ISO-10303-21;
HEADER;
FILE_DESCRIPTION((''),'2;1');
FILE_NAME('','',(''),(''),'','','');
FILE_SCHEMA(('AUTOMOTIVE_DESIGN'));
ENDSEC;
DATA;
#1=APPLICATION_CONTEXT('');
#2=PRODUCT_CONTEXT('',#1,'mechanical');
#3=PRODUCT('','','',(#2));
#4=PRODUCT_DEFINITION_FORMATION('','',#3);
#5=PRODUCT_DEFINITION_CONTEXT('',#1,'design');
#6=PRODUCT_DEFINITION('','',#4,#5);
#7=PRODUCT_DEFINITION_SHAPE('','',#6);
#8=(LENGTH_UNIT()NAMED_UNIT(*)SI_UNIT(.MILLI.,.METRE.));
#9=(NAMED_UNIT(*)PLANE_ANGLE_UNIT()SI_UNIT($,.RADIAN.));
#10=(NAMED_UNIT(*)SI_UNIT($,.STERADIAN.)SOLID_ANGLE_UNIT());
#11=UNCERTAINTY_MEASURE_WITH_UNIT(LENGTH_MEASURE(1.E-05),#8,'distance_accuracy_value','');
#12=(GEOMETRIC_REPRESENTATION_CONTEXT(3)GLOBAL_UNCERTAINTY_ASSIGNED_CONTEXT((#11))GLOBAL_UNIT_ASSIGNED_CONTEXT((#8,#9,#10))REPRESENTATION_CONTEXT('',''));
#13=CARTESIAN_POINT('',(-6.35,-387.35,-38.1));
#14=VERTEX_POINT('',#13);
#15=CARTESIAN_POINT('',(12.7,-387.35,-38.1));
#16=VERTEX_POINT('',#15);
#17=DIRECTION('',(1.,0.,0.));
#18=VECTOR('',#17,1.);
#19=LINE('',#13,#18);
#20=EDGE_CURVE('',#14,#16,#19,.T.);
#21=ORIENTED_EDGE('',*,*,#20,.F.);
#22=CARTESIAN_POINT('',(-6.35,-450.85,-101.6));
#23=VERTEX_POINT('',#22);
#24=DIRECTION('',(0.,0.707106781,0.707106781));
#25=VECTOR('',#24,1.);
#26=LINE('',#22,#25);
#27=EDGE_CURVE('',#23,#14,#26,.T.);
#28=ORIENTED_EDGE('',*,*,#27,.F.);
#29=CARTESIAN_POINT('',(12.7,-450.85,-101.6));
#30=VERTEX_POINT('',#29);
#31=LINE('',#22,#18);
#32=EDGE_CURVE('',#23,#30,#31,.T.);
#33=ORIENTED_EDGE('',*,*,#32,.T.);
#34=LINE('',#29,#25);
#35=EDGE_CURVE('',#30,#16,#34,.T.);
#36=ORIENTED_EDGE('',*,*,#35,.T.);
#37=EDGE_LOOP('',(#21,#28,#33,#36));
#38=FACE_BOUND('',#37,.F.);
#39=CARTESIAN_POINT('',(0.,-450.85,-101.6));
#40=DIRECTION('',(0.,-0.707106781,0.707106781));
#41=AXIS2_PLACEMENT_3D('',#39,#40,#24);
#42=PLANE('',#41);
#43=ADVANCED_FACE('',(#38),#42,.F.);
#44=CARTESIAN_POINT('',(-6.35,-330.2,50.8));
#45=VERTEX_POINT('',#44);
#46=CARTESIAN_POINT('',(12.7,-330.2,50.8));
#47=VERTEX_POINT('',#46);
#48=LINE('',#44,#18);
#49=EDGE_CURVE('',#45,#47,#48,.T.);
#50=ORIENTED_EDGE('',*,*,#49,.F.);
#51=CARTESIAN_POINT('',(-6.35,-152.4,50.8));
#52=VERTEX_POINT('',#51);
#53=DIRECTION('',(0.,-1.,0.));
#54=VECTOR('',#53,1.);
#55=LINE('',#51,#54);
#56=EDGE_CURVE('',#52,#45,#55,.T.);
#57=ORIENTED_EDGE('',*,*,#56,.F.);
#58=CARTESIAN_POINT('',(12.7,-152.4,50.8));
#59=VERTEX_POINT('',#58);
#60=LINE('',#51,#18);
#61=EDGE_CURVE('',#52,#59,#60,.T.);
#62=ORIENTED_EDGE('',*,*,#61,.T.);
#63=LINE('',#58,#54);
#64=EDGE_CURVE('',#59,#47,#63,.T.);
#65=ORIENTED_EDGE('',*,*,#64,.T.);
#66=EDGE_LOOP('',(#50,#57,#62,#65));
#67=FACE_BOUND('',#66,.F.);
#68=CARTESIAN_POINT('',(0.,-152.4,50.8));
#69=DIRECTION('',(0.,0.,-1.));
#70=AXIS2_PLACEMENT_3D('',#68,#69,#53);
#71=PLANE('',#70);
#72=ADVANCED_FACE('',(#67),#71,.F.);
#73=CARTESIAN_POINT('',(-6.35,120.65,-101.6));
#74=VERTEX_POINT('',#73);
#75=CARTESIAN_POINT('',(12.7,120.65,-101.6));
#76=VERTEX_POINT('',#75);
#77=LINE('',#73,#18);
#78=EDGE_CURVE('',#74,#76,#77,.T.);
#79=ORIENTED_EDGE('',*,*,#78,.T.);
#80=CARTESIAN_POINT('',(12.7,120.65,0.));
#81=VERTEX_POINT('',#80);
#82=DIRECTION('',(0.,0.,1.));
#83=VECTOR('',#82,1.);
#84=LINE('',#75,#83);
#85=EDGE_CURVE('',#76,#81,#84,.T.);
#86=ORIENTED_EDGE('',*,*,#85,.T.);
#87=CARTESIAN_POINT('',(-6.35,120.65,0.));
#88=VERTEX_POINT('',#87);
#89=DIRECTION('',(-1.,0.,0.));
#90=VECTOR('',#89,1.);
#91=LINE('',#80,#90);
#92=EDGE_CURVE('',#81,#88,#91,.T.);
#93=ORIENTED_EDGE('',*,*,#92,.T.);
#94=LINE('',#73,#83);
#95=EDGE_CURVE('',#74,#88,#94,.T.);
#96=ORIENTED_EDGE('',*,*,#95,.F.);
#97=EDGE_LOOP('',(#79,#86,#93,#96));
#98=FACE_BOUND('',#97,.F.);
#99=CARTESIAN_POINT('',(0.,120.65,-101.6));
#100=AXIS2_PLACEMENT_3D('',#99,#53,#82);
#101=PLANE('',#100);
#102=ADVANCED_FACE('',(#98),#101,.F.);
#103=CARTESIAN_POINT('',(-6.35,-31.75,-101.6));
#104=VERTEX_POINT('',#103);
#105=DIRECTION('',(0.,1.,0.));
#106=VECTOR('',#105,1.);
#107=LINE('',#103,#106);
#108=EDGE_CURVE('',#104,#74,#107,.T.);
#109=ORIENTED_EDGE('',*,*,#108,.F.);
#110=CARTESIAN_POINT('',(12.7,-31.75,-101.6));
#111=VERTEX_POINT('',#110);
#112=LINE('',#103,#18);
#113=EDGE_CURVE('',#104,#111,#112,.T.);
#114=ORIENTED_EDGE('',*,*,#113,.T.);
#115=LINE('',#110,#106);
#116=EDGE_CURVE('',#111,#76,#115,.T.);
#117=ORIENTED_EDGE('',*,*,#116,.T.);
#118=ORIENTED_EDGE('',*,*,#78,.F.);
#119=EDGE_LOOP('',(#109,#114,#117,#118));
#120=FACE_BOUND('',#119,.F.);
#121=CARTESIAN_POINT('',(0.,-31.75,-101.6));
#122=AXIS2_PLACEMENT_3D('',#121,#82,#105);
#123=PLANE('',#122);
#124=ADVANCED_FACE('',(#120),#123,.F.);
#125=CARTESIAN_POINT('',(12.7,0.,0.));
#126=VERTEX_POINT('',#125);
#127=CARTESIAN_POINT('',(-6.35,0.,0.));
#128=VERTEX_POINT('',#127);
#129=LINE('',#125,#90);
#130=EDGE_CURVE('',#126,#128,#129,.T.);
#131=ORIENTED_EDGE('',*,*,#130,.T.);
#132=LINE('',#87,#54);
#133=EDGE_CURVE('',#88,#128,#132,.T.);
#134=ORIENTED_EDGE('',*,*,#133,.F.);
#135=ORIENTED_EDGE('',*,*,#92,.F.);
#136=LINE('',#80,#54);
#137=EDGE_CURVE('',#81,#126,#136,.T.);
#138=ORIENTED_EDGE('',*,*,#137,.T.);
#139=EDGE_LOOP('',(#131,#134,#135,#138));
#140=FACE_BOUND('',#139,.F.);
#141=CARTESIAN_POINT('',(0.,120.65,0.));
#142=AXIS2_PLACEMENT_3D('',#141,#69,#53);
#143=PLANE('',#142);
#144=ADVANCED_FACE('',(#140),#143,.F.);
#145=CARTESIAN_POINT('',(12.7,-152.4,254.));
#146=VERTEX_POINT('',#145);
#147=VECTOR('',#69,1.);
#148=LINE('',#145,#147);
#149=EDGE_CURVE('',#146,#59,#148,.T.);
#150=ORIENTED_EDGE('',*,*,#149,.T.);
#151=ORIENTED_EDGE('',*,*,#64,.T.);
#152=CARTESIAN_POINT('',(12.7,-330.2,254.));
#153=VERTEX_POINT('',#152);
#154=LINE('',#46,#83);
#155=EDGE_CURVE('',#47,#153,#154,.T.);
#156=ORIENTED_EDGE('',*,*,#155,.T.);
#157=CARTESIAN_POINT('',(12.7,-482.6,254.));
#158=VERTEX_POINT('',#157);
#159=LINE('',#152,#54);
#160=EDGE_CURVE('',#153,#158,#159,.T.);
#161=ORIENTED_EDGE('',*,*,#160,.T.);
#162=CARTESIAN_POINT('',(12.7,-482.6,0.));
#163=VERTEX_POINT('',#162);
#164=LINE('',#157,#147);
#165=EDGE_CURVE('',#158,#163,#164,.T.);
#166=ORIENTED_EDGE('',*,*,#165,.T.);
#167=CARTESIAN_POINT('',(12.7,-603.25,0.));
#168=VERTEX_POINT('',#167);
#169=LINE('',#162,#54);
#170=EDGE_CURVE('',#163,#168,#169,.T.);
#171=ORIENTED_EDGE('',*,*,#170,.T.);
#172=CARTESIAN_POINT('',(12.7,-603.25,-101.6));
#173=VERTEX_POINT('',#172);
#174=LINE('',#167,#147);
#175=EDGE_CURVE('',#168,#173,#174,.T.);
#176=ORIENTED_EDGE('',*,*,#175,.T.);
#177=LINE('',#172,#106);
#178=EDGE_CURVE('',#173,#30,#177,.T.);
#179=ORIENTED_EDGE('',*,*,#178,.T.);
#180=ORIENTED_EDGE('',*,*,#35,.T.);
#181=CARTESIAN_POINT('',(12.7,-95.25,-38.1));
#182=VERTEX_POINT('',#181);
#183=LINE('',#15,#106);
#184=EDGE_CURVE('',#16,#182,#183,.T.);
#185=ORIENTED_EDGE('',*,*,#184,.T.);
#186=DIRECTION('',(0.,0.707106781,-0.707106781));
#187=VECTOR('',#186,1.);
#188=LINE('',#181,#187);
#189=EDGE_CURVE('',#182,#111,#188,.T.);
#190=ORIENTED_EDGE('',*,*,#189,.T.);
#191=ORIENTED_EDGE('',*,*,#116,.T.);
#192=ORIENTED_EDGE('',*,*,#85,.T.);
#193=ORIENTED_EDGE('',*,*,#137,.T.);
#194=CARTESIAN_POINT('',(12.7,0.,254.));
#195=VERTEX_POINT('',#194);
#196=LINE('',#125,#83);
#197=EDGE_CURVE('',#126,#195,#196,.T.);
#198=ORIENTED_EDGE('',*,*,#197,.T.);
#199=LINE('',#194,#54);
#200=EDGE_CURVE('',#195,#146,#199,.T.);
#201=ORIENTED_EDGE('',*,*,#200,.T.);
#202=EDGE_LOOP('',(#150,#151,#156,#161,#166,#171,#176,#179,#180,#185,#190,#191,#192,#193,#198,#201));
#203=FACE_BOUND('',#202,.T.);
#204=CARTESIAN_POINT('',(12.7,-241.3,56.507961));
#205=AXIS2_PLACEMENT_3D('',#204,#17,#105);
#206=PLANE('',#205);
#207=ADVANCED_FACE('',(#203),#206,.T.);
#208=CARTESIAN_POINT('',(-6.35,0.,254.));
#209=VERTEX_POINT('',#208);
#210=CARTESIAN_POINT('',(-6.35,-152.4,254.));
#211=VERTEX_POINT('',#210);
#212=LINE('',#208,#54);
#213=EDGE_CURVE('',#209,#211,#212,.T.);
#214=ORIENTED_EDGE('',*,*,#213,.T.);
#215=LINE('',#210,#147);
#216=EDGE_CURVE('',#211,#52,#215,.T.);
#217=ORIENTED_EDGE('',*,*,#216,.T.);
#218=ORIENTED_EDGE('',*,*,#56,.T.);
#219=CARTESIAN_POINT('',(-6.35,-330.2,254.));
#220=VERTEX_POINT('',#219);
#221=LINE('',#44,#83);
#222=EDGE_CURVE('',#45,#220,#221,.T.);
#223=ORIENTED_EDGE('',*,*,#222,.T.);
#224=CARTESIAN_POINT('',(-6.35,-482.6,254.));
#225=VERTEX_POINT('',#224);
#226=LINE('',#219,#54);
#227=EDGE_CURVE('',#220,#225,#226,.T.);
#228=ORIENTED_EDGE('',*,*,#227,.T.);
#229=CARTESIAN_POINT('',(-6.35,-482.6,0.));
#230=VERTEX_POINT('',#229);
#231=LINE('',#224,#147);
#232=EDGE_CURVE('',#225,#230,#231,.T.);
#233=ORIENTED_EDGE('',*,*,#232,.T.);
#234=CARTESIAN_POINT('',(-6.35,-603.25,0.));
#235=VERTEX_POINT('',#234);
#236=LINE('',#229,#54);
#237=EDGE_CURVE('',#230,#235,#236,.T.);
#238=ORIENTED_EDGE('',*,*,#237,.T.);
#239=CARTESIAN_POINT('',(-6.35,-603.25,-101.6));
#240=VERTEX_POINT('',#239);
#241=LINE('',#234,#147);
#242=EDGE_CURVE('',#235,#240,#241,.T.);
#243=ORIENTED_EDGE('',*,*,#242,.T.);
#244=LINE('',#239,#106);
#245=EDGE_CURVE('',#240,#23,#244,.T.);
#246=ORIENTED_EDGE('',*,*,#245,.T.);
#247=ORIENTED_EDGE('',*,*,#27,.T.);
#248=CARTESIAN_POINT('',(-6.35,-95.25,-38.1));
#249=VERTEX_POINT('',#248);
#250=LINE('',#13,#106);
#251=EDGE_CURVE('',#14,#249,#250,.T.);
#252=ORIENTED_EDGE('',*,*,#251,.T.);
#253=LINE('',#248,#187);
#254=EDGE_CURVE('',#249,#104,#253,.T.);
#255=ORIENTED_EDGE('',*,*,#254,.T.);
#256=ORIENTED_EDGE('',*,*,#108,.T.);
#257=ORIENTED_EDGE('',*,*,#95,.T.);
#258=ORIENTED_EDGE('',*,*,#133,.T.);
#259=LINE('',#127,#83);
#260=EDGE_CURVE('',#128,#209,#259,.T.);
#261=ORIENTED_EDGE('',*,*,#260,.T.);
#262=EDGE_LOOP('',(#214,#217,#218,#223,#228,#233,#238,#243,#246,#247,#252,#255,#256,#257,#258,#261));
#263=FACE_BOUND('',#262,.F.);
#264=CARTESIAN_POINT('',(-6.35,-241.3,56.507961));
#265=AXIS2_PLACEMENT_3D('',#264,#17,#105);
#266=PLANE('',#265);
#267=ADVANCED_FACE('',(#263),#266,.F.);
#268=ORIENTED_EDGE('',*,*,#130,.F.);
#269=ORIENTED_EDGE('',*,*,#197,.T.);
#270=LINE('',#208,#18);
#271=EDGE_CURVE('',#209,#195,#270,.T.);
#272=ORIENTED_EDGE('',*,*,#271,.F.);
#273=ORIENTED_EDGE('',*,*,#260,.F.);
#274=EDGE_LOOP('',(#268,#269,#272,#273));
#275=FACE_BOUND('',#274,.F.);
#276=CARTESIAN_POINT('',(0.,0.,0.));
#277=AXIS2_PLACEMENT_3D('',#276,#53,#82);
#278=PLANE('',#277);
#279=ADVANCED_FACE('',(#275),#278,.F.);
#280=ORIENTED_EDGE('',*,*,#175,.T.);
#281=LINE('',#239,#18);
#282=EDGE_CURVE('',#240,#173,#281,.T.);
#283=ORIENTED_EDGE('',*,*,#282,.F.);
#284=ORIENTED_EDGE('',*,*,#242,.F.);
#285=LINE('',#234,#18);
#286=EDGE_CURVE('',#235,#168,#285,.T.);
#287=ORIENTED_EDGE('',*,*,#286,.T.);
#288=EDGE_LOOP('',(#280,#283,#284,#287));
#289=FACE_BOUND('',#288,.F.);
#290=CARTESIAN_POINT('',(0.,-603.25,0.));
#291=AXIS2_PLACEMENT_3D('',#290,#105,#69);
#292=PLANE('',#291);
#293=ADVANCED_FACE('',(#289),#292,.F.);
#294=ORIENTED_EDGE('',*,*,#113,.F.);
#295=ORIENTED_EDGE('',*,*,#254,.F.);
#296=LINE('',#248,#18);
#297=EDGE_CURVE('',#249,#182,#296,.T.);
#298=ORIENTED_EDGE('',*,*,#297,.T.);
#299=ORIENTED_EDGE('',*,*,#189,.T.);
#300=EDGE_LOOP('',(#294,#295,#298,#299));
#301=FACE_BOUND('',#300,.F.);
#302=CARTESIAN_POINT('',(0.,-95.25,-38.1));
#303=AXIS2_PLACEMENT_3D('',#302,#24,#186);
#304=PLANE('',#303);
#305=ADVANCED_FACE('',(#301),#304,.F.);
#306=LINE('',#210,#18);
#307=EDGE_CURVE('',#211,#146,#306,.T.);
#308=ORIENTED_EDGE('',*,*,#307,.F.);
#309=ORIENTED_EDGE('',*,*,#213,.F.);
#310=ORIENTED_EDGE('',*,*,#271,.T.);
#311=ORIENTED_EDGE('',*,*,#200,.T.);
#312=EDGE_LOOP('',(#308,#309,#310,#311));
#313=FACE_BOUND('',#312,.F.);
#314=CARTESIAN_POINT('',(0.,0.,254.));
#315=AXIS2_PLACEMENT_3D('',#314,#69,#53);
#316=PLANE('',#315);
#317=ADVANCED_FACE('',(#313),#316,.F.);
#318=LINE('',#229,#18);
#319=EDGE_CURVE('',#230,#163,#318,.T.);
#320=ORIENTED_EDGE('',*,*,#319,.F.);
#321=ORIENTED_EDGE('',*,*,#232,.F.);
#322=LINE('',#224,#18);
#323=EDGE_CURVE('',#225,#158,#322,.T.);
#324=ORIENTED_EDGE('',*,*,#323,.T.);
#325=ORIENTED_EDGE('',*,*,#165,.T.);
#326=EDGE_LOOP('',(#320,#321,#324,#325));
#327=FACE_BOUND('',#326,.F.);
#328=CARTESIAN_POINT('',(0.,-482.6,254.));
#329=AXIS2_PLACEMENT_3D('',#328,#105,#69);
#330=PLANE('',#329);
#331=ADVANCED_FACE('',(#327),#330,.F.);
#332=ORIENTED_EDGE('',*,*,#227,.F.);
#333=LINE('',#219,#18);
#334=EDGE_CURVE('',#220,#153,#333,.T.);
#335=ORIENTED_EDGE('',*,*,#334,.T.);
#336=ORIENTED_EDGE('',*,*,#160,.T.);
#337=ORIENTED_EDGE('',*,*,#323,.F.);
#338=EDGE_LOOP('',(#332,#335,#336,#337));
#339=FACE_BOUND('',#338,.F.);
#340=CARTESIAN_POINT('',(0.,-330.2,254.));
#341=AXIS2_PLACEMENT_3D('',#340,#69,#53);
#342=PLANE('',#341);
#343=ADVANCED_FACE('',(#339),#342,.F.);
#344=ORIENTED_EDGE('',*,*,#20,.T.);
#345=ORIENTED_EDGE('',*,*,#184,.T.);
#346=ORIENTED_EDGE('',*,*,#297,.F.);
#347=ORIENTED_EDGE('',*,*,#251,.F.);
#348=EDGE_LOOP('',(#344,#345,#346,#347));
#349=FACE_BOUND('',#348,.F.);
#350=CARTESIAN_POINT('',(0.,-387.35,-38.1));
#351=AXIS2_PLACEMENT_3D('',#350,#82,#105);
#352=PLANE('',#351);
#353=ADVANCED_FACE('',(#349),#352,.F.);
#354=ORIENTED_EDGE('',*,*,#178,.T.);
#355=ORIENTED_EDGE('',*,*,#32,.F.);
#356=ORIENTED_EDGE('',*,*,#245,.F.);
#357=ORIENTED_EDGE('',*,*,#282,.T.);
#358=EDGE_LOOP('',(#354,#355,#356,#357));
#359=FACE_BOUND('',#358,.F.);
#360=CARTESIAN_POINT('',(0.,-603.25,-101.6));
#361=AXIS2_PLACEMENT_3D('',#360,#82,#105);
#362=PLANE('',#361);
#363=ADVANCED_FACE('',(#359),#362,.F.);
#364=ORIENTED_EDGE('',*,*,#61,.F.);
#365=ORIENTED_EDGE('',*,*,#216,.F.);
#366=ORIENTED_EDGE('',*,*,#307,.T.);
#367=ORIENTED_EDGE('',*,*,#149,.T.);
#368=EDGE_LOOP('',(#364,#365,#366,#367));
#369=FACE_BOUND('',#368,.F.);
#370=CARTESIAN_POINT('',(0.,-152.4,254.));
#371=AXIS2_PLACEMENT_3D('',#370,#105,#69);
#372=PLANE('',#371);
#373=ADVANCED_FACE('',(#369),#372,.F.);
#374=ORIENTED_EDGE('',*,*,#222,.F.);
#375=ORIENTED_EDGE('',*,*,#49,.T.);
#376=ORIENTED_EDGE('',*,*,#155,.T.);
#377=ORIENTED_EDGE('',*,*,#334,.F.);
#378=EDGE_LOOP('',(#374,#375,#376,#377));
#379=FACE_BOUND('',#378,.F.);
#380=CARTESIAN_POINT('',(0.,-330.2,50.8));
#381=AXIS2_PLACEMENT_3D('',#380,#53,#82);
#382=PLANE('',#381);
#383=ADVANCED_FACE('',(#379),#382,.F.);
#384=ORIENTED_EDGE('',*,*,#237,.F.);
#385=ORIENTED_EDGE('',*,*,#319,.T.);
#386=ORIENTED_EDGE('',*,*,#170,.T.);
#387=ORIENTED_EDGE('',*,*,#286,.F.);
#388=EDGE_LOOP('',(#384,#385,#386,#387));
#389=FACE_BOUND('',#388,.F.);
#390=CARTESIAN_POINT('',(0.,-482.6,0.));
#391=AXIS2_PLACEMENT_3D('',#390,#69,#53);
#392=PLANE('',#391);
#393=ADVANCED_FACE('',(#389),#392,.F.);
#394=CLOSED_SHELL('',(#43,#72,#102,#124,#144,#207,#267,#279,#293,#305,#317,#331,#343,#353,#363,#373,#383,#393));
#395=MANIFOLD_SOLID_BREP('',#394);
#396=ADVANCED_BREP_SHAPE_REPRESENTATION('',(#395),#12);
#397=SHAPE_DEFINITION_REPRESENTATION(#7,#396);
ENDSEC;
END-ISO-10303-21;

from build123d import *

# Parameters (mm, degrees)
F1_DEPTH = 6.35
F2_DEPTH = 12.7


with BuildPart() as f1:
    # F0 (on Right) → F1 (new body, symmetric)
    with BuildSketch(Plane.YZ):
        Polygon((0, 0), (0, 254), (-152.4, 254), (-152.4, 50.8), (-330.2, 50.8), (-330.2, 254), (-482.6, 254), (-482.6, 0), (-603.25, 0), (-603.25, -101.6), (-450.85, -101.6), (-387.35, -38.1), (-95.25, -38.1), (-31.75, -101.6), (120.65, -101.6), (120.65, 0), align=None)
    extrude(amount=F1_DEPTH, both=True)

    # F0 (on Right) → F2 (join)
    with BuildSketch(Plane.YZ):
        Polygon((0, 0), (0, 254), (-152.4, 254), (-152.4, 50.8), (-330.2, 50.8), (-330.2, 254), (-482.6, 254), (-482.6, 0), (-603.25, 0), (-603.25, -101.6), (-450.85, -101.6), (-387.35, -38.1), (-95.25, -38.1), (-31.75, -101.6), (120.65, -101.6), (120.65, 0), align=None)
    extrude(amount=F2_DEPTH)


solid = f1.part
